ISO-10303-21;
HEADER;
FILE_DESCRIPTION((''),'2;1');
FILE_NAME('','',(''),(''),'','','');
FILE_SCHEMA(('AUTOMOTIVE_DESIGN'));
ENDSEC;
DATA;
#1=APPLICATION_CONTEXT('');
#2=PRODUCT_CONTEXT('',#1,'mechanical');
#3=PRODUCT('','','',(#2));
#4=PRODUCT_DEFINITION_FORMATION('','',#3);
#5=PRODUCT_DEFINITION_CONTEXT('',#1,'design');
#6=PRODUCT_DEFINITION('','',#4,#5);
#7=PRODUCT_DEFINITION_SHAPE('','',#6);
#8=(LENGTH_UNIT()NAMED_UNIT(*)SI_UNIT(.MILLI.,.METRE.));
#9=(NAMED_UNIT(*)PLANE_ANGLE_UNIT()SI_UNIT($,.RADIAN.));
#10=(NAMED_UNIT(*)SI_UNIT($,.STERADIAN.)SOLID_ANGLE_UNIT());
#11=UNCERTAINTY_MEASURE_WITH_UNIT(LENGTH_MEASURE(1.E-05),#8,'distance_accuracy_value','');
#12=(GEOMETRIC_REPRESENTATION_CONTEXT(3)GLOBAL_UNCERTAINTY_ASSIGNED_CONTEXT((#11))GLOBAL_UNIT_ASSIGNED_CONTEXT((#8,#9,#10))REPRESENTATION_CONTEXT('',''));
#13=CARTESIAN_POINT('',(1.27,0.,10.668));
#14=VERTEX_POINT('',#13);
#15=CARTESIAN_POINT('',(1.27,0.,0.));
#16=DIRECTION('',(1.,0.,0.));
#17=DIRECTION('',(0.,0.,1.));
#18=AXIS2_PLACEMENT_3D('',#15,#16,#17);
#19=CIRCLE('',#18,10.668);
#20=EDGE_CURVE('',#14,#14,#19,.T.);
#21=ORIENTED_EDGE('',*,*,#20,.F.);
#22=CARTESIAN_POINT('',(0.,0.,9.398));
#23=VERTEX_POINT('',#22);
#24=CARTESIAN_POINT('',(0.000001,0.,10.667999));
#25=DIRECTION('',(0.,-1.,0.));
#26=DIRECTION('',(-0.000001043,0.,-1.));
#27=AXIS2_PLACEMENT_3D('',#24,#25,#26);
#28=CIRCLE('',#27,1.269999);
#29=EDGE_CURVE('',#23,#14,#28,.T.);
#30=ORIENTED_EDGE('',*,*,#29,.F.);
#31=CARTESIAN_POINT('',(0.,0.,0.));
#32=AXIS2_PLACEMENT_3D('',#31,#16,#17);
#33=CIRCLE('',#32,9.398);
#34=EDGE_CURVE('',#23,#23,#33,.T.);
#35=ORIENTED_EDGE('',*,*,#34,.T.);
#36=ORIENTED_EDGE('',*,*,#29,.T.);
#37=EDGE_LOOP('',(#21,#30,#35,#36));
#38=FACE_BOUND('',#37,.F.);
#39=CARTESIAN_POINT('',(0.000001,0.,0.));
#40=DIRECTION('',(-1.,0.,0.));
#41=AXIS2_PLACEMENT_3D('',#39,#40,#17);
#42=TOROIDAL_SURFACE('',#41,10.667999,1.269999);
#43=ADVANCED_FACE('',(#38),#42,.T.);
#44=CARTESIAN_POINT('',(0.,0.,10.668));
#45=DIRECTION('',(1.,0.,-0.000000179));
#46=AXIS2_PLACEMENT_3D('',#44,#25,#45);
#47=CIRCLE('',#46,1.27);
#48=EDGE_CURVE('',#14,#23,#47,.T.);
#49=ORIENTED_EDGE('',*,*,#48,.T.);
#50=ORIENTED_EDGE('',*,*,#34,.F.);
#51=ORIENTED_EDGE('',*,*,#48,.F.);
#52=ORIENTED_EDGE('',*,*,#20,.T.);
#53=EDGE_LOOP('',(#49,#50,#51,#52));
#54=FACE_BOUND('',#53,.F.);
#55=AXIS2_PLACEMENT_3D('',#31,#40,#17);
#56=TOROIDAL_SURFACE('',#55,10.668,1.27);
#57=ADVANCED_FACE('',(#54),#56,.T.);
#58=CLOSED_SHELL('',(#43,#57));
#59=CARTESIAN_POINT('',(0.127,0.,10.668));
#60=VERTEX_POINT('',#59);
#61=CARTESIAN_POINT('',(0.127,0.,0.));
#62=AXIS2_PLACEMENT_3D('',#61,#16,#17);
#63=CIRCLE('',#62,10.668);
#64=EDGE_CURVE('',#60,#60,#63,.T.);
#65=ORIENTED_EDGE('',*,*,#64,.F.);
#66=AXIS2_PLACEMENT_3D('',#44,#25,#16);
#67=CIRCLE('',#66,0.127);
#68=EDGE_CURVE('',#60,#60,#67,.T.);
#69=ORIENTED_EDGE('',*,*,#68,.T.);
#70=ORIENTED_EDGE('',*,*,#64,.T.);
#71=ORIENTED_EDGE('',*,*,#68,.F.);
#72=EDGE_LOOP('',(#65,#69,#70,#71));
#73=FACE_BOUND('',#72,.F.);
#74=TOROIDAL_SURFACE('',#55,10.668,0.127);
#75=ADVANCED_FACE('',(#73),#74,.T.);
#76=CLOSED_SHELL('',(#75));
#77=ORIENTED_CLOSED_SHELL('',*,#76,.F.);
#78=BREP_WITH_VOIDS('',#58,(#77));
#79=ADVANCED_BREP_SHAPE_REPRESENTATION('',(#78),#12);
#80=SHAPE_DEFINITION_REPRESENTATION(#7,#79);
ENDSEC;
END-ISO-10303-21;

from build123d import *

# Parameters (mm, degrees)
F0_R = 0.127


with BuildPart() as f1:
    # F0 (on Front) → F1 (revolve)
    with BuildSketch(Plane.XZ):
        with BuildLine():
            ThreePointArc((0, 9.398), (0.898026, 9.769974), (1.27, 10.668))
            ThreePointArc((1.27, 10.668), (-0.898026, 11.566026), (0, 9.398))
        make_face()
        with Locations((0, 10.668)):
            Circle(F0_R, mode=Mode.SUBTRACT)
    revolve(axis=Axis((1.713439, 0, 0), (1, 0, 0)))


solid = f1.part
